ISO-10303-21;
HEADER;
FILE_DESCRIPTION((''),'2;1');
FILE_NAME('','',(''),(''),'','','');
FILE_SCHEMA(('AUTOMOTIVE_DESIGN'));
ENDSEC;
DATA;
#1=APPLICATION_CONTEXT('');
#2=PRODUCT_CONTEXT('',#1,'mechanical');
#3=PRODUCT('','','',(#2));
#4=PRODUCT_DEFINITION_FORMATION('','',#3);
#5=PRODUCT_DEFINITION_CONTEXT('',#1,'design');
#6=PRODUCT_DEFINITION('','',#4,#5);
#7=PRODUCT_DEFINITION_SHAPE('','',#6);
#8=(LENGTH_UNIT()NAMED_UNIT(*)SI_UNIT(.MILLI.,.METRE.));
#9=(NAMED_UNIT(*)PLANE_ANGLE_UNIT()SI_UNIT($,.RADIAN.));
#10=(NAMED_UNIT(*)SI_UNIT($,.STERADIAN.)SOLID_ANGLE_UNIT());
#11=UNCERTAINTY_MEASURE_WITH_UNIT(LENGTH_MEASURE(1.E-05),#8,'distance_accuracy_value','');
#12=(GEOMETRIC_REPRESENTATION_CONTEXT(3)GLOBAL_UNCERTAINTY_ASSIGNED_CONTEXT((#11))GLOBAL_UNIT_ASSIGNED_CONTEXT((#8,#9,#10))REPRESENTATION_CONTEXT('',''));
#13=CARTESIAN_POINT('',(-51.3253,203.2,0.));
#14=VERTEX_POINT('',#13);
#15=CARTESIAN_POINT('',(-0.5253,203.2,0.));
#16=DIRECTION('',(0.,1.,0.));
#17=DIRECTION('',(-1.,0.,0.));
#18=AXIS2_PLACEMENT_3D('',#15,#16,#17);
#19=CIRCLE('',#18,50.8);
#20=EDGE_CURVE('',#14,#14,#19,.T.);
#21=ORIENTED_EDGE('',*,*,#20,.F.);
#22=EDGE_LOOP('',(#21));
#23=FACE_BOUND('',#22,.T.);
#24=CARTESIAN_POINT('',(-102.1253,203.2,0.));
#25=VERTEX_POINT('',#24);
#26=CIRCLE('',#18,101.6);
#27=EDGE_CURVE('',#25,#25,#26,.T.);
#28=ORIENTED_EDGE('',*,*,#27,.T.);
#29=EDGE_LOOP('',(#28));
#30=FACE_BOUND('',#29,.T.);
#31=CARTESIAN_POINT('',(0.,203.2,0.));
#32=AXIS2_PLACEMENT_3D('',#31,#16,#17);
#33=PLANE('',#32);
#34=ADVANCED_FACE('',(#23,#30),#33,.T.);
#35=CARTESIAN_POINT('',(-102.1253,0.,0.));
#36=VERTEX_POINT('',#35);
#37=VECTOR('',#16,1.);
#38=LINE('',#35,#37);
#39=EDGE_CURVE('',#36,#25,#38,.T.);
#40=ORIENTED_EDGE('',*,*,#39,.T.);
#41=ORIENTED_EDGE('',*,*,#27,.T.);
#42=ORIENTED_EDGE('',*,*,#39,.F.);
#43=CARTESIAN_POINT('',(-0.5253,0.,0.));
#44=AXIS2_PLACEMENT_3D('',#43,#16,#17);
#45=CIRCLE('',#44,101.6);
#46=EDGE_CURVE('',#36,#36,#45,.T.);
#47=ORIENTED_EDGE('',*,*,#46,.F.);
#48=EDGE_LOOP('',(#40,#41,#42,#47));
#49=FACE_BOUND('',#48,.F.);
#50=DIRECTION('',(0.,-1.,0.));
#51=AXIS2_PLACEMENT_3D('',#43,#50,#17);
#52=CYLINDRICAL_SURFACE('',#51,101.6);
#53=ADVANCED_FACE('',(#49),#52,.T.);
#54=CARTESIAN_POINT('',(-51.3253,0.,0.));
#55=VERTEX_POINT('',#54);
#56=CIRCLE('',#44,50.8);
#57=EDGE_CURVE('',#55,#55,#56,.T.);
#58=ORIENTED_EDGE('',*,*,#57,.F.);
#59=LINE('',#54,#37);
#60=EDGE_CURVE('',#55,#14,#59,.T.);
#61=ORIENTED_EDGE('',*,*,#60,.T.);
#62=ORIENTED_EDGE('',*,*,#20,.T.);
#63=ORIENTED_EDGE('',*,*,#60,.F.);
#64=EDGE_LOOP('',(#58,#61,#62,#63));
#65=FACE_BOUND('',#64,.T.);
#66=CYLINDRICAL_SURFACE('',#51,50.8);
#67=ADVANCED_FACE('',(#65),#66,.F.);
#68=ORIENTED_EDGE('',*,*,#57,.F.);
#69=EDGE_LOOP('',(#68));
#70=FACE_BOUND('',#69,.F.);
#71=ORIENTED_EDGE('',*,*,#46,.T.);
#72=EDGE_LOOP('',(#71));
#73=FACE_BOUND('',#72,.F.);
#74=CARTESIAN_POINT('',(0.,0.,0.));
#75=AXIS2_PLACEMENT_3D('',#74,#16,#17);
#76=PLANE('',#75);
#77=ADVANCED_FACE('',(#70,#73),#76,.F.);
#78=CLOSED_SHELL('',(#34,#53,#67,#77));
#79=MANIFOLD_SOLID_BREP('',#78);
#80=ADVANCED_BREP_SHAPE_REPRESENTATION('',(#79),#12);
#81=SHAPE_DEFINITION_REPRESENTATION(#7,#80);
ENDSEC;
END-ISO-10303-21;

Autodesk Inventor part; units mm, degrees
ref_plane "YZ Plane" through (0, 0, 0) normal (1, 0, 0) x (0, 1, 0)
ref_plane "XZ Plane" through (0, 0, 0) normal (0, 1, 0) x (-1, 0, 0)
ref_plane "XY Plane" through (0, 0, 0) normal (0, 0, 1) x (1, 0, 0)
sketch "Sketch1" plane through (0, 0, 0) normal (0, 1, 0) x (-1, 0, 0)
  circle A0 centre (0.5253, 0) radius 101.6
  circle A1 centre (0.5253, 0) radius 50.8
  point P0 (0, 0)
  dimension "d0" = 203.2
  dimension "d1" = 50.8
extrude "Extrusion1" add sketch "Sketch1" along normal blind 203.2
properties part number "ductFan" material "Iron, Ductile"
